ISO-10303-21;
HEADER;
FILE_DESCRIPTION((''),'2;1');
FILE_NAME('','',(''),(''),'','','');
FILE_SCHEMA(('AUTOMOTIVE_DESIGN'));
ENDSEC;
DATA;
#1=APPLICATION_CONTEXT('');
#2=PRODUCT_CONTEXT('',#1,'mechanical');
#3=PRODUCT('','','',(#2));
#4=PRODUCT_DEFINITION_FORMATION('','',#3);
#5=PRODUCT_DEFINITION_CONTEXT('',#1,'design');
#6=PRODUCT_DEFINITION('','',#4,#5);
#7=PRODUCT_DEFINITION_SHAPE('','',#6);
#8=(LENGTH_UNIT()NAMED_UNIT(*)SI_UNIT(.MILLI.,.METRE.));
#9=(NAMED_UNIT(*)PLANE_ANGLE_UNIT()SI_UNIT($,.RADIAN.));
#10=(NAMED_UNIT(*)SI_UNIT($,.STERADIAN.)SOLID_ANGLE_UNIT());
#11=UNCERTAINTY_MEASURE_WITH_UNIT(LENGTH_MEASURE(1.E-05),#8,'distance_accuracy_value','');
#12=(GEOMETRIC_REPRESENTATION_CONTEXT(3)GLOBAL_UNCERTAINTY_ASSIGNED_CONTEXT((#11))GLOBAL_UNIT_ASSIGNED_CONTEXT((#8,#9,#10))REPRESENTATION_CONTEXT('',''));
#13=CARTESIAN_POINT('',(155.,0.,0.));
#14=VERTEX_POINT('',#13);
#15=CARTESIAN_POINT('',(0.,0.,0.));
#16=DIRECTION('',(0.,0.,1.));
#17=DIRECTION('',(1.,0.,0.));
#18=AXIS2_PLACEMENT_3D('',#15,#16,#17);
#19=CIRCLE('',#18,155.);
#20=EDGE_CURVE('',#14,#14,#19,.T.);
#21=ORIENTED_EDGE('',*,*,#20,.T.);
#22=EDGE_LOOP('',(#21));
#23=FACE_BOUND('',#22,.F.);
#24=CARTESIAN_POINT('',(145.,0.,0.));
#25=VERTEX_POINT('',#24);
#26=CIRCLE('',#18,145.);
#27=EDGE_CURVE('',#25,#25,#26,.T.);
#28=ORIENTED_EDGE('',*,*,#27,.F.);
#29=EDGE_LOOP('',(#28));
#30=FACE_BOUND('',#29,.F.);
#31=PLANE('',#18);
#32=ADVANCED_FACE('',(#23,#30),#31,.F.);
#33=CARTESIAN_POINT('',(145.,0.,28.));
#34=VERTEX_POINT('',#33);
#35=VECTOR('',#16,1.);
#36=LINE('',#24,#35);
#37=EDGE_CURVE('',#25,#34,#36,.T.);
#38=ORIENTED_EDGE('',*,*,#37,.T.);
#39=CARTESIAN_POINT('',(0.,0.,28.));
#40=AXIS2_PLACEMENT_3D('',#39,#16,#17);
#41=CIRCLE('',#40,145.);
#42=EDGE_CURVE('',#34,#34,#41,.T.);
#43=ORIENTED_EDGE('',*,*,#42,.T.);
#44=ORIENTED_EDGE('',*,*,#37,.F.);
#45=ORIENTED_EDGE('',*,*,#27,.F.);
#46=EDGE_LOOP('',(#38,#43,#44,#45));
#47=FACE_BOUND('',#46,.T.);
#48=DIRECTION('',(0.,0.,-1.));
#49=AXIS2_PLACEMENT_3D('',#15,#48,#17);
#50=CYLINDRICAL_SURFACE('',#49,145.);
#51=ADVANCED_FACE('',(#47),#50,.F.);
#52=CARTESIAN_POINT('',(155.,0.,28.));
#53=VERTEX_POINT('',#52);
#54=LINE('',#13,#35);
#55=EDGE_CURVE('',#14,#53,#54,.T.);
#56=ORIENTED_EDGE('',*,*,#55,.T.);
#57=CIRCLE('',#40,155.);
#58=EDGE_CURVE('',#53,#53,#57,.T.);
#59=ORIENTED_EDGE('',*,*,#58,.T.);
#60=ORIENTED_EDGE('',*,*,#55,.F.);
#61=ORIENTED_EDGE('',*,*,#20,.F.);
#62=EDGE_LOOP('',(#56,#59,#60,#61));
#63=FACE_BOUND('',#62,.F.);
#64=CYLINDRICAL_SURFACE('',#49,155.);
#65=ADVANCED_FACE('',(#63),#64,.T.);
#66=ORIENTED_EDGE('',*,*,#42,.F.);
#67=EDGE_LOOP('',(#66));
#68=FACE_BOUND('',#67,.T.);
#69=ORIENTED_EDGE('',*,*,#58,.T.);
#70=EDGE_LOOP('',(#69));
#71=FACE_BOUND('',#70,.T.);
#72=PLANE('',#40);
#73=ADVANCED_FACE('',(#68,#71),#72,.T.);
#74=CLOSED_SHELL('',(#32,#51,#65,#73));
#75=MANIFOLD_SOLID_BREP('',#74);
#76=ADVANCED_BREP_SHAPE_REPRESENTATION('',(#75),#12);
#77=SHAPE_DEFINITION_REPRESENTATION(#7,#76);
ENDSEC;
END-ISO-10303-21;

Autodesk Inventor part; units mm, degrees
ref_plane "YZ Plane" through (0, 0, 0) normal (1, 0, 0) x (0, 1, 0)
ref_plane "XZ Plane" through (0, 0, 0) normal (0, 1, 0) x (-1, 0, 0)
ref_plane "XY Plane" through (0, 0, 0) normal (0, 0, 1) x (1, 0, 0)
sketch "Sketch1" plane through (0, 0, 0) normal (0, 0, 1) x (1, 0, 0)
  circle A0 centre (0, 0) radius 145
  circle A1 centre (0, 0) radius 155
  dimension "d0" = 10
  dimension "d1" = 290
extrude "Extrusion1" add sketch "Sketch1" along normal blind 28
properties part number "ДМС 102 Опорное кольцо вала зад"
